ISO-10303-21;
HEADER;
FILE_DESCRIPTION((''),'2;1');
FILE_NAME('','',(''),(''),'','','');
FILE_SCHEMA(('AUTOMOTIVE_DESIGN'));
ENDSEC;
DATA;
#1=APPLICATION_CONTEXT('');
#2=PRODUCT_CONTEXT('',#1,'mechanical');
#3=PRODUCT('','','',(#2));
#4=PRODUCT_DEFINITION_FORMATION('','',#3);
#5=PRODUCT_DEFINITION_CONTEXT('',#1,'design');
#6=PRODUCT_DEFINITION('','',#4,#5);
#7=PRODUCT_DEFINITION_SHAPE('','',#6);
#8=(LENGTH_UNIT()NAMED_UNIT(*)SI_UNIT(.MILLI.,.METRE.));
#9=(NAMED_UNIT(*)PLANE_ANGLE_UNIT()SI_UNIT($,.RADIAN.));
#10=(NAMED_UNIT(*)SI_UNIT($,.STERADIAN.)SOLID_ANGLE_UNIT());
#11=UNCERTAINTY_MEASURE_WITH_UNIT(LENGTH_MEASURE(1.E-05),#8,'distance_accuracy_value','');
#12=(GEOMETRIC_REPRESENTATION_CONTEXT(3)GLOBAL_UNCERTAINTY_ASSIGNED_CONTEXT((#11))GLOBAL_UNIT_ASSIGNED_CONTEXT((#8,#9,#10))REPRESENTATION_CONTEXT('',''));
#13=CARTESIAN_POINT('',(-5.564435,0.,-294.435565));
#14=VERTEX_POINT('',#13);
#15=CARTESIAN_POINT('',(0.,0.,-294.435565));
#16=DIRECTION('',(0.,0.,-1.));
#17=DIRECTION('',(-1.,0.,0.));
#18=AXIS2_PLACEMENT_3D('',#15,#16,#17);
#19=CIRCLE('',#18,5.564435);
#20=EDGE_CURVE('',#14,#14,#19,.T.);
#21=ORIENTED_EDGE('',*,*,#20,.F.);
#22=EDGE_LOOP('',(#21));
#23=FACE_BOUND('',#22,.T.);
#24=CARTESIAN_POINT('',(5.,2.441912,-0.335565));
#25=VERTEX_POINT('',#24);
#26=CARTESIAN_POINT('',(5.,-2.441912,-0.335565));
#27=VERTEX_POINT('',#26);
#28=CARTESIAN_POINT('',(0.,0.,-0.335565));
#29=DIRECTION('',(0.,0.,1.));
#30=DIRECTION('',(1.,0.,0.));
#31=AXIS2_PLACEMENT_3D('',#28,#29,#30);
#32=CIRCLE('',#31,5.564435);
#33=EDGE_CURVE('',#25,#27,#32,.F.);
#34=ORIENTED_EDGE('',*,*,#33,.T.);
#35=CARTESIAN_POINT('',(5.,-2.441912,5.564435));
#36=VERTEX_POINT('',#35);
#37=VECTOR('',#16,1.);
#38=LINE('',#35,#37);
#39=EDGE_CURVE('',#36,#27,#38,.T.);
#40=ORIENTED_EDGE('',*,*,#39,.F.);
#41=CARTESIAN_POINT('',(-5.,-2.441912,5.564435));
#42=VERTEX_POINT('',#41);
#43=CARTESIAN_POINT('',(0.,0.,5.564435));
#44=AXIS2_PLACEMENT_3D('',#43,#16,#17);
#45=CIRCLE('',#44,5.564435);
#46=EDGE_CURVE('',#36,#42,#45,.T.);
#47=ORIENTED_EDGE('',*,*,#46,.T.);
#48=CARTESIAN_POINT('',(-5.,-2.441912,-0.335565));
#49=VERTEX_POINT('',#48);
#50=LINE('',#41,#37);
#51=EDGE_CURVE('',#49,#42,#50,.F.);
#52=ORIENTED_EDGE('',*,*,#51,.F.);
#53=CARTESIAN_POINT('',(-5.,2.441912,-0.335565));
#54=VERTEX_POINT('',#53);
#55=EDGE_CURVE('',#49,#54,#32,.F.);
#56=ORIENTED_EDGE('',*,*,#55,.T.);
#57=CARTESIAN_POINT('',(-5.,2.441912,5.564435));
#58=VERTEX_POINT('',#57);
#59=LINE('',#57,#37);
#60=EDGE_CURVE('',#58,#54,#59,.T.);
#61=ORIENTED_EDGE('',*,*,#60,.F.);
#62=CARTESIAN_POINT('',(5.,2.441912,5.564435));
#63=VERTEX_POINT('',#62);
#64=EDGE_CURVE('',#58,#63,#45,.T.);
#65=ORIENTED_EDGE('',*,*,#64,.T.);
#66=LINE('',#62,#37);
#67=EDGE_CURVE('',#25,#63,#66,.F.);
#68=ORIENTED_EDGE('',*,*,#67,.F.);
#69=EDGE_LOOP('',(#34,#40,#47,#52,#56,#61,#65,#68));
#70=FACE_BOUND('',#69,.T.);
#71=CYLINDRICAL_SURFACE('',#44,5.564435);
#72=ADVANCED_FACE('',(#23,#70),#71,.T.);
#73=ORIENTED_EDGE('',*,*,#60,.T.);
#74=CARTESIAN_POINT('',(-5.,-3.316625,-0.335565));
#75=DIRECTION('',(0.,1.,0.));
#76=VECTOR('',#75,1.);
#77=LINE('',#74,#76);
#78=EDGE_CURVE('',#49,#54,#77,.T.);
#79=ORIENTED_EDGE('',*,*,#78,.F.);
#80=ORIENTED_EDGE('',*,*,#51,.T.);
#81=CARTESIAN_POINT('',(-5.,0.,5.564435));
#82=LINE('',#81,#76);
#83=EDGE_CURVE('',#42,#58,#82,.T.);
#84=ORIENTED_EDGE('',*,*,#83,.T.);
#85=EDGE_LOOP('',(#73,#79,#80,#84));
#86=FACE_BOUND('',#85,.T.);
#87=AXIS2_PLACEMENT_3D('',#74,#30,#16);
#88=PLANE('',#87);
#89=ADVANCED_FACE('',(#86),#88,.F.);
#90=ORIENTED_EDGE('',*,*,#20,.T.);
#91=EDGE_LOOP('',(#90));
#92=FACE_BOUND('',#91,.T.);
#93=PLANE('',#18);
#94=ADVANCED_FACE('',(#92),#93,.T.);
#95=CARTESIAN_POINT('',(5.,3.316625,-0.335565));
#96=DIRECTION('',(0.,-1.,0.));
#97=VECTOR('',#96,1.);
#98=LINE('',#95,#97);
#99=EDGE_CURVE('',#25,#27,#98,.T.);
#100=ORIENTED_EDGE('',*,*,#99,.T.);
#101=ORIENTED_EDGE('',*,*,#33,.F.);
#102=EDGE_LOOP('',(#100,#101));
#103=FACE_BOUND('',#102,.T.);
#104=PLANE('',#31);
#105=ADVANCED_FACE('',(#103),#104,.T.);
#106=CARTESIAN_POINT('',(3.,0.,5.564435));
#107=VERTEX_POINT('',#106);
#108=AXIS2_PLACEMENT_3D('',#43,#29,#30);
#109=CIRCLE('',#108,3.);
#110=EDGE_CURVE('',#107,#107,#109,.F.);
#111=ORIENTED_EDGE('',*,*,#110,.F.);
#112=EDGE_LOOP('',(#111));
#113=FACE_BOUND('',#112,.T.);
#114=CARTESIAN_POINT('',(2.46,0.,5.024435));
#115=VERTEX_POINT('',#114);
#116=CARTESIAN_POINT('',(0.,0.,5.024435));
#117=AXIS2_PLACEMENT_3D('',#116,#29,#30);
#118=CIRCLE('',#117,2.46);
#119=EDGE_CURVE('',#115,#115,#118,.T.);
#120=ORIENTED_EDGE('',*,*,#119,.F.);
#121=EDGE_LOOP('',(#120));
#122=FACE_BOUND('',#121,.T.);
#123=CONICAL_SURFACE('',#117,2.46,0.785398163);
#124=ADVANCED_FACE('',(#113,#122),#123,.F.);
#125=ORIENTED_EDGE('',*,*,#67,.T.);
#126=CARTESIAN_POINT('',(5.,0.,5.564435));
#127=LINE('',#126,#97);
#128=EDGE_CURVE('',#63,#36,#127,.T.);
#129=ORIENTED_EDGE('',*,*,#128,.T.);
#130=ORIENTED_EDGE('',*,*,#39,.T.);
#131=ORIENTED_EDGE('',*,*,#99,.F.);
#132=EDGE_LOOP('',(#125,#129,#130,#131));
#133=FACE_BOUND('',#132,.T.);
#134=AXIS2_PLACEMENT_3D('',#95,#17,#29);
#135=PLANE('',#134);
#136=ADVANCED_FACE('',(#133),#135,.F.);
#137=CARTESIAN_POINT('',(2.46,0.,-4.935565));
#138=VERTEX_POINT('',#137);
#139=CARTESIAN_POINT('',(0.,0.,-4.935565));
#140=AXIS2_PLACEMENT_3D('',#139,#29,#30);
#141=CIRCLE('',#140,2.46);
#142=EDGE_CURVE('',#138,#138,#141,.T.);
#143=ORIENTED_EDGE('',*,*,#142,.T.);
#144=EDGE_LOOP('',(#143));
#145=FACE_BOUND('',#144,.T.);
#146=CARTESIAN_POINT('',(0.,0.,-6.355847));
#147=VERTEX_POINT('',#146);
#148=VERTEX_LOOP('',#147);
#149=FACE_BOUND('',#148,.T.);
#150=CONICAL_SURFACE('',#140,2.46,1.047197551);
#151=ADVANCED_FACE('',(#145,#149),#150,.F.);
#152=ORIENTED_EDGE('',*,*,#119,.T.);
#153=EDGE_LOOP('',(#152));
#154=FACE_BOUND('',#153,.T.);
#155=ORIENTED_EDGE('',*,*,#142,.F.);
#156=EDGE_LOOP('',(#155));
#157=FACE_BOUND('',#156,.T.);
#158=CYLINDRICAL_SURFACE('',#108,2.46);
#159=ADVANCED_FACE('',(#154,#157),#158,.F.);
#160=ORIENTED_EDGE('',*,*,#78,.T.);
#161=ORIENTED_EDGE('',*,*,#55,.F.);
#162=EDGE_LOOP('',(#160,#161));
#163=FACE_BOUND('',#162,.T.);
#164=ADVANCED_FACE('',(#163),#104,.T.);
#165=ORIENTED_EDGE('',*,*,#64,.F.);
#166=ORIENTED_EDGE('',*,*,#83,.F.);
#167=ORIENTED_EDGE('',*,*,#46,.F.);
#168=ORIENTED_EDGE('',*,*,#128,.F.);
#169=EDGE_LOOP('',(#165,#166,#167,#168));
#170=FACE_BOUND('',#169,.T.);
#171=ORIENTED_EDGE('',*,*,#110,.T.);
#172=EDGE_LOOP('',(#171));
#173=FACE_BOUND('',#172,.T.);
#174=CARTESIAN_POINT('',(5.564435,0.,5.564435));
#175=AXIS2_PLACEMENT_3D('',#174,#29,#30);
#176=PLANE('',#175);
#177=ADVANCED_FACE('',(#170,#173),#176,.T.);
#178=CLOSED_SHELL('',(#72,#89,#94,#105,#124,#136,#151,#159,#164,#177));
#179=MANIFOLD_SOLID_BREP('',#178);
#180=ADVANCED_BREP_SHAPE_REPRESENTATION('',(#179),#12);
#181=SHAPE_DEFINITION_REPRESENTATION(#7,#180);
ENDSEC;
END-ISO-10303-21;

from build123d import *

# Parameters (mm, degrees)
SKETCH1_W          = 5.564434946
SKETCH1_H          = 300
CUT_EXTRUDE1_DEPTH = 5.9
CUT_EXTRUDE2_DEPTH = 5.9
HOLE1_D            = 4.92
HOLE1_DEPTH        = 10.5
HOLE1_TIP          = 1.420281662
CHAMFER2_SIZE      = 0.54


with BuildPart() as part:
    # Sketch1 → Revolve1 (revolve)
    with BuildSketch(Plane.XZ, mode=Mode.PRIVATE) as revolve1_sk:
        with Locations((2.782217473, -144.435565054)):
            Rectangle(SKETCH1_W, SKETCH1_H)
    revolve(revolve1_sk.sketch.rotate(Axis((0, 0, 5.564434946), (0, 0, -1)), 180), axis=Axis((0, 0, 5.564434946), (0, 0, -1)))

    # Sketch2 → Cut-Extrude1 (cut)
    with BuildSketch(Plane.XY.offset(5.564434946)):
        with BuildLine():
            Line((-5, -3.31662479), (-5, 3.31662479))
            ThreePointArc((-5, 3.31662479), (-6, 0), (-5, -3.31662479))
        make_face()
    extrude(amount=-CUT_EXTRUDE1_DEPTH, mode=Mode.SUBTRACT)

    # Sketch3 → Cut-Extrude2 (cut)
    with BuildSketch(Plane.XY.offset(5.564434946)):
        with BuildLine():
            Line((5, 3.31662479), (5, -3.31662479))
            ThreePointArc((5, -3.31662479), (6, 0), (5, 3.31662479))
        make_face()
    extrude(amount=-CUT_EXTRUDE2_DEPTH, mode=Mode.SUBTRACT)

    # Hole1
    with Locations(Plane.XY.offset(5.564434946)):
        with Locations((0, 0)):
            Hole(HOLE1_D / 2, depth=HOLE1_DEPTH)
            with Locations((0, 0, -(HOLE1_DEPTH + HOLE1_TIP / 2))):  # 120° drill point
                Cone(0, HOLE1_D / 2, HOLE1_TIP, mode=Mode.SUBTRACT)

    # Chamfer2
    chamfer2_edges = [part.edges().sort_by_distance(p)[0] for p in [
        (2.46, 0, 5.564434946),
    ]]
    chamfer(chamfer2_edges, length=CHAMFER2_SIZE)


solid = part.part
